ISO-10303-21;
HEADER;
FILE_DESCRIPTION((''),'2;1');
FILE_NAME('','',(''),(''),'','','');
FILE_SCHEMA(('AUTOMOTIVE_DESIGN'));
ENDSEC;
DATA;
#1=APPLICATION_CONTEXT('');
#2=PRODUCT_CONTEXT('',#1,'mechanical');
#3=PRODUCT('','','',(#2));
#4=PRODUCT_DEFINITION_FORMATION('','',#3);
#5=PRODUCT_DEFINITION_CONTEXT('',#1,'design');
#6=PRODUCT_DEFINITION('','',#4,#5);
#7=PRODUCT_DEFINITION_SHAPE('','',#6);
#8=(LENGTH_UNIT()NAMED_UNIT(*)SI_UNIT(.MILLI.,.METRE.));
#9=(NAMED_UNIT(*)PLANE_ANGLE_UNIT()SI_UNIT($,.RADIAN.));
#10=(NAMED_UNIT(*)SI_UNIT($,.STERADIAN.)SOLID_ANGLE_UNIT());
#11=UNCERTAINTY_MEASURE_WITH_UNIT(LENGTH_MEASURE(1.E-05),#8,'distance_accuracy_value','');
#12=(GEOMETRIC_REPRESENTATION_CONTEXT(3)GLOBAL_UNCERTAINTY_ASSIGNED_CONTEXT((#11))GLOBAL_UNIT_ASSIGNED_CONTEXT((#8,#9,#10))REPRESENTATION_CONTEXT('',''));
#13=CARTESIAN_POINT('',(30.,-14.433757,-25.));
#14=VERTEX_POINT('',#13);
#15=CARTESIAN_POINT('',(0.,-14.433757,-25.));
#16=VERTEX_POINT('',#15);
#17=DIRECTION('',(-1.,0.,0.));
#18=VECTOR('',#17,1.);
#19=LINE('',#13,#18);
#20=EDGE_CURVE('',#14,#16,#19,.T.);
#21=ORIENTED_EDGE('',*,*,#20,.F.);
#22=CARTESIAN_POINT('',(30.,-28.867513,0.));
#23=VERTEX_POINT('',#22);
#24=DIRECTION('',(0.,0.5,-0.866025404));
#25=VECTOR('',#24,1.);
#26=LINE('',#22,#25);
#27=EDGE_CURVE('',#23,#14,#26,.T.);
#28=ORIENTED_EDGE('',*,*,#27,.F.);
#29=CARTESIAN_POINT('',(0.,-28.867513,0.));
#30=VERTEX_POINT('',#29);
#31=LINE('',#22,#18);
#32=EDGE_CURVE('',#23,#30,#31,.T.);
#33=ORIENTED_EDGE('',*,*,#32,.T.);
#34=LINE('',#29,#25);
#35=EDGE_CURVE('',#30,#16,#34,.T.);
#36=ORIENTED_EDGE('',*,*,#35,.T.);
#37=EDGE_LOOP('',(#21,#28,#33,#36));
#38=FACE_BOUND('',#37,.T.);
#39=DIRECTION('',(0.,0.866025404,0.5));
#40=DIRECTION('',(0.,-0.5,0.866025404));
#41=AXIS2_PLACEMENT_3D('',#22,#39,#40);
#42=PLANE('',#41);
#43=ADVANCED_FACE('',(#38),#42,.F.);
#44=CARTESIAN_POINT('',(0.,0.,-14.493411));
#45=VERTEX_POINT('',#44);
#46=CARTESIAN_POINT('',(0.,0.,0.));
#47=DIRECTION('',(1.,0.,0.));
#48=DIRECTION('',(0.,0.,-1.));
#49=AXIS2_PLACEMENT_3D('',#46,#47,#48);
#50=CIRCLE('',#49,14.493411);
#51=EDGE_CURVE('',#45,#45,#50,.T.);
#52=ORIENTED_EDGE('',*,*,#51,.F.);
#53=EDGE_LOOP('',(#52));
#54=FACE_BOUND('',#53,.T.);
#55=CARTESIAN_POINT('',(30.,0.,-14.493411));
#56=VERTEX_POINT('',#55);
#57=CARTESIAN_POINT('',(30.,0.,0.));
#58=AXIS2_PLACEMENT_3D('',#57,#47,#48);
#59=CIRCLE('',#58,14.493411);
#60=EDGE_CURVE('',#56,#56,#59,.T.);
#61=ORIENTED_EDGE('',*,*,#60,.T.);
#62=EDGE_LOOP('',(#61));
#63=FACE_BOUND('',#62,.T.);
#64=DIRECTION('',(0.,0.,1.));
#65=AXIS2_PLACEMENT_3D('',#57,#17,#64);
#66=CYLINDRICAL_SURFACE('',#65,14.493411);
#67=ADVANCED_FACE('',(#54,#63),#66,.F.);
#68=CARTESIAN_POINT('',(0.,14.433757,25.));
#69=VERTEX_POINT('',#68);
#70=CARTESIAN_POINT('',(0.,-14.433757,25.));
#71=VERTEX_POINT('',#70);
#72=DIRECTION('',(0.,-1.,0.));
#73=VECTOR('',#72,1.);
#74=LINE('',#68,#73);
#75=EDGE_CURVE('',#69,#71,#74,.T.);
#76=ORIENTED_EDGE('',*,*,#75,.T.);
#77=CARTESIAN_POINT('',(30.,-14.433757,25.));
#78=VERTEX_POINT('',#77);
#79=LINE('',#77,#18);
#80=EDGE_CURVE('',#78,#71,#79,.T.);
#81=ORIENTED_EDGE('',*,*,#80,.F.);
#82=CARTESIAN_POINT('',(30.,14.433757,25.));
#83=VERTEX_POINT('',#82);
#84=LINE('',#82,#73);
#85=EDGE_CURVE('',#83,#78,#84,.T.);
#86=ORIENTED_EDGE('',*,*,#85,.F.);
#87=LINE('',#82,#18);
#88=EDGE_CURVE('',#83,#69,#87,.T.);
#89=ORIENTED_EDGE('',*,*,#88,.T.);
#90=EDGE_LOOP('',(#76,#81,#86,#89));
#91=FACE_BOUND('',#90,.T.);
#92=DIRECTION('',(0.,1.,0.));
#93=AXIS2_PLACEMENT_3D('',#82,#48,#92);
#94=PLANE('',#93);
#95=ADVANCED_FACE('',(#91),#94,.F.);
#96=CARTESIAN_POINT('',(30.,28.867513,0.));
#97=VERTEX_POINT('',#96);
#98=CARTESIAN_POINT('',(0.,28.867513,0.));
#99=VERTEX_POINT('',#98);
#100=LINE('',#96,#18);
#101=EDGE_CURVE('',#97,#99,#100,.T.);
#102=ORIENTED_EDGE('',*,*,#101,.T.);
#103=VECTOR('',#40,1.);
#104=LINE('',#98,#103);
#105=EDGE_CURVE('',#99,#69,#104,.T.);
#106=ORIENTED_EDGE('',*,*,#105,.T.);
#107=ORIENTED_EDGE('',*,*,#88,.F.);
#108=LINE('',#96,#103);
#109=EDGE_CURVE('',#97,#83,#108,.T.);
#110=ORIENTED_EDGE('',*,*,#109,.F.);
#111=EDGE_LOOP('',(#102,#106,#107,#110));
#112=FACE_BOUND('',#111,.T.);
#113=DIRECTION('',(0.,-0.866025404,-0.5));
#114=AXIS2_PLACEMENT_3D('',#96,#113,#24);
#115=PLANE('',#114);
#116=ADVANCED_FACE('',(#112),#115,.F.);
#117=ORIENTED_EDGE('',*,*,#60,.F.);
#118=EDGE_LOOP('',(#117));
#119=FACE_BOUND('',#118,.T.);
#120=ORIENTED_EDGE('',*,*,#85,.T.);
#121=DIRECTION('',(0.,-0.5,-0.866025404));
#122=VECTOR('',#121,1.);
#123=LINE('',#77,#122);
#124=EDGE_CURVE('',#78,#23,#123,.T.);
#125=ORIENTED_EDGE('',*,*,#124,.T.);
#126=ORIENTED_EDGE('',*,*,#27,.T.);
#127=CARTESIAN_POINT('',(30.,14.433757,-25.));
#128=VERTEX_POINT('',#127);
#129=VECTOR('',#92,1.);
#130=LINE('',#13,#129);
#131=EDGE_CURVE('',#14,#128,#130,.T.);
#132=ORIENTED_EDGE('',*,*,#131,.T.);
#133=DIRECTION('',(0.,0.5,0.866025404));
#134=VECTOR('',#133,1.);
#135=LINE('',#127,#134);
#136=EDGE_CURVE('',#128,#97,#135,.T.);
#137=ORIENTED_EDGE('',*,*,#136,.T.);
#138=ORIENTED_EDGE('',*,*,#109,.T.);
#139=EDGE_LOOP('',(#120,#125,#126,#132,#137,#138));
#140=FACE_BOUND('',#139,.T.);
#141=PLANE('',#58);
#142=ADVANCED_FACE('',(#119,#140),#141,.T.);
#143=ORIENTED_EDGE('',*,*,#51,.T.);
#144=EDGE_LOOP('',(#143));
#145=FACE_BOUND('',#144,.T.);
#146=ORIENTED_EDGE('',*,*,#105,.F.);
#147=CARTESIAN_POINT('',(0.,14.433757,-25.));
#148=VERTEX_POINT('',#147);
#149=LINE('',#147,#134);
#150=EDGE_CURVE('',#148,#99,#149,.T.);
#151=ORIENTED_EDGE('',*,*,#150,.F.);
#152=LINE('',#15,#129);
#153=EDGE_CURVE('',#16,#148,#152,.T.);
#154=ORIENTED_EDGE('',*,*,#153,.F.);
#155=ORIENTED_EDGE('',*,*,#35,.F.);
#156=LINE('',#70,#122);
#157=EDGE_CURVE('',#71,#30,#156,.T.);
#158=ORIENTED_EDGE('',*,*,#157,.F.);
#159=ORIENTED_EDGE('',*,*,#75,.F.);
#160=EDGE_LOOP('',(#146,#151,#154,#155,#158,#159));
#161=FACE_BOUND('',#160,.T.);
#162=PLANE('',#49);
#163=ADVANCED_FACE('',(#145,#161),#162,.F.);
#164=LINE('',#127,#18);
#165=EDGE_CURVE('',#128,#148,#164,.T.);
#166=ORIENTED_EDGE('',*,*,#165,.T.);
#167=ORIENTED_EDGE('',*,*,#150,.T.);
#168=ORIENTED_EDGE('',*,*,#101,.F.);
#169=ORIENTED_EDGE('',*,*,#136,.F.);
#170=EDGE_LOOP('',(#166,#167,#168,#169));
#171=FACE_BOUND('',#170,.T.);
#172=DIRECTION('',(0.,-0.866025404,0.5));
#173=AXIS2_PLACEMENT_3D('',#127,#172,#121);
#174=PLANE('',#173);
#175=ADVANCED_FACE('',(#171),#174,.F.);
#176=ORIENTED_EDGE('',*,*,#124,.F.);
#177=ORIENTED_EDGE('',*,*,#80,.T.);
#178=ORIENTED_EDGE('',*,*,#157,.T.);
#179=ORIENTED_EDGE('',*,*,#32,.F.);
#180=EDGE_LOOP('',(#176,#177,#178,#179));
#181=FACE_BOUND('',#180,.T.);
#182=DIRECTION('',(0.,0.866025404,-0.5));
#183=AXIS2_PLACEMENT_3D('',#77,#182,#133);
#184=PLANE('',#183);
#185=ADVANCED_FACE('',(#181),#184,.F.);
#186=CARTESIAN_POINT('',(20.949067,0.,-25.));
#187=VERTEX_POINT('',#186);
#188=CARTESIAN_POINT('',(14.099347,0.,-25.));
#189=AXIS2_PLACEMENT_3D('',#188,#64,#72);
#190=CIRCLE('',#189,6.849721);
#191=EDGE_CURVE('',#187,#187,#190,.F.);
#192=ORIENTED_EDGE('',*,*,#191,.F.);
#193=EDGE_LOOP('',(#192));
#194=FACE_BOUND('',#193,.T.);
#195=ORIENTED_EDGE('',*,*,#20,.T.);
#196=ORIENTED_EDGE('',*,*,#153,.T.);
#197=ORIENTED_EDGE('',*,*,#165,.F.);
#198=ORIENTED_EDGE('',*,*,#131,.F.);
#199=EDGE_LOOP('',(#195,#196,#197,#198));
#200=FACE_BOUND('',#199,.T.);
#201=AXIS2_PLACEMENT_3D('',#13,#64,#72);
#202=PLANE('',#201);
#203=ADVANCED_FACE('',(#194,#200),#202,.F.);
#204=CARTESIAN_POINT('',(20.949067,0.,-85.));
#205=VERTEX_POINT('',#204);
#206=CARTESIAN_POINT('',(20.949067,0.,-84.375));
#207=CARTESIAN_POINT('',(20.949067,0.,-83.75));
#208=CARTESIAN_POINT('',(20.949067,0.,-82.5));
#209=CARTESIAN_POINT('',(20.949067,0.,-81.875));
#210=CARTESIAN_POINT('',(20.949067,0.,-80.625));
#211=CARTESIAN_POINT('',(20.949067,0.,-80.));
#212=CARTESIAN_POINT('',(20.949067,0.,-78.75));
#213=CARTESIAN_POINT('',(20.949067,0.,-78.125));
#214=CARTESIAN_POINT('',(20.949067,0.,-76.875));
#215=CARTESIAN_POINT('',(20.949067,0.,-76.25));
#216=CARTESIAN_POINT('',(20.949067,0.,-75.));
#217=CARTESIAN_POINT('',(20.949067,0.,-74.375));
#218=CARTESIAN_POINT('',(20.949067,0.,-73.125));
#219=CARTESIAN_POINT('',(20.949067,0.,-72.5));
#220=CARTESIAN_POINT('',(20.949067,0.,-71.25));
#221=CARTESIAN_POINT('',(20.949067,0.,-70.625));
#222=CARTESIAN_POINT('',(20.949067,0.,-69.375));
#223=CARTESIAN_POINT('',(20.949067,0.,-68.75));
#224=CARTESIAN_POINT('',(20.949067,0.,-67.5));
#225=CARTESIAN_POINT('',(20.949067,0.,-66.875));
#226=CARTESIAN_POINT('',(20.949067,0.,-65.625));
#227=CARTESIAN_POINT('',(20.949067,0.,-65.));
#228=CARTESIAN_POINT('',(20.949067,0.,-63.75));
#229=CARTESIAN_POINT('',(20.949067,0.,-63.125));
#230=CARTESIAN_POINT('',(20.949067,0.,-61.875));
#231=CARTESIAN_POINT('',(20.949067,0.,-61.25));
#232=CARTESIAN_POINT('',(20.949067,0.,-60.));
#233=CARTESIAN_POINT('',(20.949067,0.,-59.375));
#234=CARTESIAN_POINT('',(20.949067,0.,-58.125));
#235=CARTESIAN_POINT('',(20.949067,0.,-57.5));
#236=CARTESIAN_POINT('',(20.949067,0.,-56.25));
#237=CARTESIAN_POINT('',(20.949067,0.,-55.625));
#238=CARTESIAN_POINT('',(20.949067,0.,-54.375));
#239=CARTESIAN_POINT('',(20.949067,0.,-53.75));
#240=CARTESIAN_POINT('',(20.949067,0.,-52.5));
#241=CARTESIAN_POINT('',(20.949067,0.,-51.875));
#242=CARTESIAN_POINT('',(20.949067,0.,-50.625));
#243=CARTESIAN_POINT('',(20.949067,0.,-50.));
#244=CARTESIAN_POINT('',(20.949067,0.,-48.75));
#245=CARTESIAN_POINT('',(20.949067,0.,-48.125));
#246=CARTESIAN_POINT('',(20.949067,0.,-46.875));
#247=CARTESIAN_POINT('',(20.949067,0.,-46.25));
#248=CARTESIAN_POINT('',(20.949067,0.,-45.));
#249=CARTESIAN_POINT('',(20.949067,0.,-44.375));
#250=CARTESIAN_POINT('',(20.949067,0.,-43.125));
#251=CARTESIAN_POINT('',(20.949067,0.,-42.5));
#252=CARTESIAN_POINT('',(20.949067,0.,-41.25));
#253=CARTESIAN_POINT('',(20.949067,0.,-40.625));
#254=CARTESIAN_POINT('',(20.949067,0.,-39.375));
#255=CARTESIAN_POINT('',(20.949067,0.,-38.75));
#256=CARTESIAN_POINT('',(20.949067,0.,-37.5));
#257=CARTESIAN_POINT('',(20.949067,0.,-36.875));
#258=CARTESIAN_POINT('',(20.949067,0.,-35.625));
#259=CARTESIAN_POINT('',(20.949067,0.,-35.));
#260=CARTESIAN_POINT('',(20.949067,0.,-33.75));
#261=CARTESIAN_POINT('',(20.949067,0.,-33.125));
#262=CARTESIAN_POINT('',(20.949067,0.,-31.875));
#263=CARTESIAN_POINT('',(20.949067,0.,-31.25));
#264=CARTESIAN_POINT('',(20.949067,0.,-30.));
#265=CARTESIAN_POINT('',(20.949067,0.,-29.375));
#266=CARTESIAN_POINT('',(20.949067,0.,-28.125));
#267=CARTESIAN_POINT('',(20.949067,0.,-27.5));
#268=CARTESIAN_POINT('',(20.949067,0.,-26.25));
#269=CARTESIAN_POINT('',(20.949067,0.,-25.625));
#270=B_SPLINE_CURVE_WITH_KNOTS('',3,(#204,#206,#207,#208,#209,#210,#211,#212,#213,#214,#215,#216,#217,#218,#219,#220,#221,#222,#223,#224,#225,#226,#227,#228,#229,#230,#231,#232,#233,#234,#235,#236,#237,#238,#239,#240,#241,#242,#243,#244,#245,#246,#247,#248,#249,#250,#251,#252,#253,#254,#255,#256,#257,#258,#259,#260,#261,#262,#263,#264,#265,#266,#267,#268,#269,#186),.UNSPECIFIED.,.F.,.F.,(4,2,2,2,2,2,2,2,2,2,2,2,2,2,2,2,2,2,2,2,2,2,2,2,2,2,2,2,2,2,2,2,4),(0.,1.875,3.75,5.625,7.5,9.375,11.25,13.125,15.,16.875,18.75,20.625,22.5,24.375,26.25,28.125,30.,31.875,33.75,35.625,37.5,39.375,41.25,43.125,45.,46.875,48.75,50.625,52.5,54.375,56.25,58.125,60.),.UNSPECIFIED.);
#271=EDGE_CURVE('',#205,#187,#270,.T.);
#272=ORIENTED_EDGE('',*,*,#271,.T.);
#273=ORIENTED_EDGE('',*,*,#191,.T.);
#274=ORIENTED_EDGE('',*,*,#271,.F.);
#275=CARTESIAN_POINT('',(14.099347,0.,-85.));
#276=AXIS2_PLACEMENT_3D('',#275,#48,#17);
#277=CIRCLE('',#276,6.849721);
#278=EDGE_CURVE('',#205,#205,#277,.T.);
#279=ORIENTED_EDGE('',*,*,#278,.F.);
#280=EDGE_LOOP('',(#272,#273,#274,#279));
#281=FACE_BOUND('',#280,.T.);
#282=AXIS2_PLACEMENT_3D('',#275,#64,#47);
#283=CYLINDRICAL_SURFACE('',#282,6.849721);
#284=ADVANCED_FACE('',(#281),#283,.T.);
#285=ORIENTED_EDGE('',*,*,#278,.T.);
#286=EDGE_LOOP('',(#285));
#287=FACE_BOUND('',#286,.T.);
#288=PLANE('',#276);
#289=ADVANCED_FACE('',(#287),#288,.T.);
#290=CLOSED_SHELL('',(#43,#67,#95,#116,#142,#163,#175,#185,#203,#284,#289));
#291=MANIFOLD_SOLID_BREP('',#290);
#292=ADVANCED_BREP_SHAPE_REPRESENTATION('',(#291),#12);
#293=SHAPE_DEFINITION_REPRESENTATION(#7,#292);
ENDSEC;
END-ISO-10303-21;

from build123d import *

# Parameters (mm, degrees)
CROQUIS1_R              = 14.493410581
SALIENTE_EXTRUIR1_DEPTH = 30
CROQUIS2_R              = 6.849720654
SALIENTE_EXTRUIR2_DEPTH = 60


with BuildPart() as part:
    # Croquis1 → Saliente-Extruir1 (new body)
    with BuildSketch(Plane(origin=(0, 0, 0), x_dir=(0, 0, -1), z_dir=(1, 0, 0))):
        Polygon((25, 14.43375673), (0, 28.867513459), (-25, 14.43375673), (-25, -14.43375673), (0, -28.867513459), (25, -14.43375673), align=None)
        Circle(CROQUIS1_R, mode=Mode.SUBTRACT)
    extrude(amount=SALIENTE_EXTRUIR1_DEPTH)

    # Croquis2 → Saliente-Extruir2 (add)
    with BuildSketch(Plane(origin=(0, 0, -25), x_dir=(-1, 0, 0), z_dir=(0, 0, -1))):
        with Locations(Location((-14.099346636, 0, 0), (0, 0, 180))):
            Circle(CROQUIS2_R)
    extrude(amount=SALIENTE_EXTRUIR2_DEPTH)


solid = part.part
